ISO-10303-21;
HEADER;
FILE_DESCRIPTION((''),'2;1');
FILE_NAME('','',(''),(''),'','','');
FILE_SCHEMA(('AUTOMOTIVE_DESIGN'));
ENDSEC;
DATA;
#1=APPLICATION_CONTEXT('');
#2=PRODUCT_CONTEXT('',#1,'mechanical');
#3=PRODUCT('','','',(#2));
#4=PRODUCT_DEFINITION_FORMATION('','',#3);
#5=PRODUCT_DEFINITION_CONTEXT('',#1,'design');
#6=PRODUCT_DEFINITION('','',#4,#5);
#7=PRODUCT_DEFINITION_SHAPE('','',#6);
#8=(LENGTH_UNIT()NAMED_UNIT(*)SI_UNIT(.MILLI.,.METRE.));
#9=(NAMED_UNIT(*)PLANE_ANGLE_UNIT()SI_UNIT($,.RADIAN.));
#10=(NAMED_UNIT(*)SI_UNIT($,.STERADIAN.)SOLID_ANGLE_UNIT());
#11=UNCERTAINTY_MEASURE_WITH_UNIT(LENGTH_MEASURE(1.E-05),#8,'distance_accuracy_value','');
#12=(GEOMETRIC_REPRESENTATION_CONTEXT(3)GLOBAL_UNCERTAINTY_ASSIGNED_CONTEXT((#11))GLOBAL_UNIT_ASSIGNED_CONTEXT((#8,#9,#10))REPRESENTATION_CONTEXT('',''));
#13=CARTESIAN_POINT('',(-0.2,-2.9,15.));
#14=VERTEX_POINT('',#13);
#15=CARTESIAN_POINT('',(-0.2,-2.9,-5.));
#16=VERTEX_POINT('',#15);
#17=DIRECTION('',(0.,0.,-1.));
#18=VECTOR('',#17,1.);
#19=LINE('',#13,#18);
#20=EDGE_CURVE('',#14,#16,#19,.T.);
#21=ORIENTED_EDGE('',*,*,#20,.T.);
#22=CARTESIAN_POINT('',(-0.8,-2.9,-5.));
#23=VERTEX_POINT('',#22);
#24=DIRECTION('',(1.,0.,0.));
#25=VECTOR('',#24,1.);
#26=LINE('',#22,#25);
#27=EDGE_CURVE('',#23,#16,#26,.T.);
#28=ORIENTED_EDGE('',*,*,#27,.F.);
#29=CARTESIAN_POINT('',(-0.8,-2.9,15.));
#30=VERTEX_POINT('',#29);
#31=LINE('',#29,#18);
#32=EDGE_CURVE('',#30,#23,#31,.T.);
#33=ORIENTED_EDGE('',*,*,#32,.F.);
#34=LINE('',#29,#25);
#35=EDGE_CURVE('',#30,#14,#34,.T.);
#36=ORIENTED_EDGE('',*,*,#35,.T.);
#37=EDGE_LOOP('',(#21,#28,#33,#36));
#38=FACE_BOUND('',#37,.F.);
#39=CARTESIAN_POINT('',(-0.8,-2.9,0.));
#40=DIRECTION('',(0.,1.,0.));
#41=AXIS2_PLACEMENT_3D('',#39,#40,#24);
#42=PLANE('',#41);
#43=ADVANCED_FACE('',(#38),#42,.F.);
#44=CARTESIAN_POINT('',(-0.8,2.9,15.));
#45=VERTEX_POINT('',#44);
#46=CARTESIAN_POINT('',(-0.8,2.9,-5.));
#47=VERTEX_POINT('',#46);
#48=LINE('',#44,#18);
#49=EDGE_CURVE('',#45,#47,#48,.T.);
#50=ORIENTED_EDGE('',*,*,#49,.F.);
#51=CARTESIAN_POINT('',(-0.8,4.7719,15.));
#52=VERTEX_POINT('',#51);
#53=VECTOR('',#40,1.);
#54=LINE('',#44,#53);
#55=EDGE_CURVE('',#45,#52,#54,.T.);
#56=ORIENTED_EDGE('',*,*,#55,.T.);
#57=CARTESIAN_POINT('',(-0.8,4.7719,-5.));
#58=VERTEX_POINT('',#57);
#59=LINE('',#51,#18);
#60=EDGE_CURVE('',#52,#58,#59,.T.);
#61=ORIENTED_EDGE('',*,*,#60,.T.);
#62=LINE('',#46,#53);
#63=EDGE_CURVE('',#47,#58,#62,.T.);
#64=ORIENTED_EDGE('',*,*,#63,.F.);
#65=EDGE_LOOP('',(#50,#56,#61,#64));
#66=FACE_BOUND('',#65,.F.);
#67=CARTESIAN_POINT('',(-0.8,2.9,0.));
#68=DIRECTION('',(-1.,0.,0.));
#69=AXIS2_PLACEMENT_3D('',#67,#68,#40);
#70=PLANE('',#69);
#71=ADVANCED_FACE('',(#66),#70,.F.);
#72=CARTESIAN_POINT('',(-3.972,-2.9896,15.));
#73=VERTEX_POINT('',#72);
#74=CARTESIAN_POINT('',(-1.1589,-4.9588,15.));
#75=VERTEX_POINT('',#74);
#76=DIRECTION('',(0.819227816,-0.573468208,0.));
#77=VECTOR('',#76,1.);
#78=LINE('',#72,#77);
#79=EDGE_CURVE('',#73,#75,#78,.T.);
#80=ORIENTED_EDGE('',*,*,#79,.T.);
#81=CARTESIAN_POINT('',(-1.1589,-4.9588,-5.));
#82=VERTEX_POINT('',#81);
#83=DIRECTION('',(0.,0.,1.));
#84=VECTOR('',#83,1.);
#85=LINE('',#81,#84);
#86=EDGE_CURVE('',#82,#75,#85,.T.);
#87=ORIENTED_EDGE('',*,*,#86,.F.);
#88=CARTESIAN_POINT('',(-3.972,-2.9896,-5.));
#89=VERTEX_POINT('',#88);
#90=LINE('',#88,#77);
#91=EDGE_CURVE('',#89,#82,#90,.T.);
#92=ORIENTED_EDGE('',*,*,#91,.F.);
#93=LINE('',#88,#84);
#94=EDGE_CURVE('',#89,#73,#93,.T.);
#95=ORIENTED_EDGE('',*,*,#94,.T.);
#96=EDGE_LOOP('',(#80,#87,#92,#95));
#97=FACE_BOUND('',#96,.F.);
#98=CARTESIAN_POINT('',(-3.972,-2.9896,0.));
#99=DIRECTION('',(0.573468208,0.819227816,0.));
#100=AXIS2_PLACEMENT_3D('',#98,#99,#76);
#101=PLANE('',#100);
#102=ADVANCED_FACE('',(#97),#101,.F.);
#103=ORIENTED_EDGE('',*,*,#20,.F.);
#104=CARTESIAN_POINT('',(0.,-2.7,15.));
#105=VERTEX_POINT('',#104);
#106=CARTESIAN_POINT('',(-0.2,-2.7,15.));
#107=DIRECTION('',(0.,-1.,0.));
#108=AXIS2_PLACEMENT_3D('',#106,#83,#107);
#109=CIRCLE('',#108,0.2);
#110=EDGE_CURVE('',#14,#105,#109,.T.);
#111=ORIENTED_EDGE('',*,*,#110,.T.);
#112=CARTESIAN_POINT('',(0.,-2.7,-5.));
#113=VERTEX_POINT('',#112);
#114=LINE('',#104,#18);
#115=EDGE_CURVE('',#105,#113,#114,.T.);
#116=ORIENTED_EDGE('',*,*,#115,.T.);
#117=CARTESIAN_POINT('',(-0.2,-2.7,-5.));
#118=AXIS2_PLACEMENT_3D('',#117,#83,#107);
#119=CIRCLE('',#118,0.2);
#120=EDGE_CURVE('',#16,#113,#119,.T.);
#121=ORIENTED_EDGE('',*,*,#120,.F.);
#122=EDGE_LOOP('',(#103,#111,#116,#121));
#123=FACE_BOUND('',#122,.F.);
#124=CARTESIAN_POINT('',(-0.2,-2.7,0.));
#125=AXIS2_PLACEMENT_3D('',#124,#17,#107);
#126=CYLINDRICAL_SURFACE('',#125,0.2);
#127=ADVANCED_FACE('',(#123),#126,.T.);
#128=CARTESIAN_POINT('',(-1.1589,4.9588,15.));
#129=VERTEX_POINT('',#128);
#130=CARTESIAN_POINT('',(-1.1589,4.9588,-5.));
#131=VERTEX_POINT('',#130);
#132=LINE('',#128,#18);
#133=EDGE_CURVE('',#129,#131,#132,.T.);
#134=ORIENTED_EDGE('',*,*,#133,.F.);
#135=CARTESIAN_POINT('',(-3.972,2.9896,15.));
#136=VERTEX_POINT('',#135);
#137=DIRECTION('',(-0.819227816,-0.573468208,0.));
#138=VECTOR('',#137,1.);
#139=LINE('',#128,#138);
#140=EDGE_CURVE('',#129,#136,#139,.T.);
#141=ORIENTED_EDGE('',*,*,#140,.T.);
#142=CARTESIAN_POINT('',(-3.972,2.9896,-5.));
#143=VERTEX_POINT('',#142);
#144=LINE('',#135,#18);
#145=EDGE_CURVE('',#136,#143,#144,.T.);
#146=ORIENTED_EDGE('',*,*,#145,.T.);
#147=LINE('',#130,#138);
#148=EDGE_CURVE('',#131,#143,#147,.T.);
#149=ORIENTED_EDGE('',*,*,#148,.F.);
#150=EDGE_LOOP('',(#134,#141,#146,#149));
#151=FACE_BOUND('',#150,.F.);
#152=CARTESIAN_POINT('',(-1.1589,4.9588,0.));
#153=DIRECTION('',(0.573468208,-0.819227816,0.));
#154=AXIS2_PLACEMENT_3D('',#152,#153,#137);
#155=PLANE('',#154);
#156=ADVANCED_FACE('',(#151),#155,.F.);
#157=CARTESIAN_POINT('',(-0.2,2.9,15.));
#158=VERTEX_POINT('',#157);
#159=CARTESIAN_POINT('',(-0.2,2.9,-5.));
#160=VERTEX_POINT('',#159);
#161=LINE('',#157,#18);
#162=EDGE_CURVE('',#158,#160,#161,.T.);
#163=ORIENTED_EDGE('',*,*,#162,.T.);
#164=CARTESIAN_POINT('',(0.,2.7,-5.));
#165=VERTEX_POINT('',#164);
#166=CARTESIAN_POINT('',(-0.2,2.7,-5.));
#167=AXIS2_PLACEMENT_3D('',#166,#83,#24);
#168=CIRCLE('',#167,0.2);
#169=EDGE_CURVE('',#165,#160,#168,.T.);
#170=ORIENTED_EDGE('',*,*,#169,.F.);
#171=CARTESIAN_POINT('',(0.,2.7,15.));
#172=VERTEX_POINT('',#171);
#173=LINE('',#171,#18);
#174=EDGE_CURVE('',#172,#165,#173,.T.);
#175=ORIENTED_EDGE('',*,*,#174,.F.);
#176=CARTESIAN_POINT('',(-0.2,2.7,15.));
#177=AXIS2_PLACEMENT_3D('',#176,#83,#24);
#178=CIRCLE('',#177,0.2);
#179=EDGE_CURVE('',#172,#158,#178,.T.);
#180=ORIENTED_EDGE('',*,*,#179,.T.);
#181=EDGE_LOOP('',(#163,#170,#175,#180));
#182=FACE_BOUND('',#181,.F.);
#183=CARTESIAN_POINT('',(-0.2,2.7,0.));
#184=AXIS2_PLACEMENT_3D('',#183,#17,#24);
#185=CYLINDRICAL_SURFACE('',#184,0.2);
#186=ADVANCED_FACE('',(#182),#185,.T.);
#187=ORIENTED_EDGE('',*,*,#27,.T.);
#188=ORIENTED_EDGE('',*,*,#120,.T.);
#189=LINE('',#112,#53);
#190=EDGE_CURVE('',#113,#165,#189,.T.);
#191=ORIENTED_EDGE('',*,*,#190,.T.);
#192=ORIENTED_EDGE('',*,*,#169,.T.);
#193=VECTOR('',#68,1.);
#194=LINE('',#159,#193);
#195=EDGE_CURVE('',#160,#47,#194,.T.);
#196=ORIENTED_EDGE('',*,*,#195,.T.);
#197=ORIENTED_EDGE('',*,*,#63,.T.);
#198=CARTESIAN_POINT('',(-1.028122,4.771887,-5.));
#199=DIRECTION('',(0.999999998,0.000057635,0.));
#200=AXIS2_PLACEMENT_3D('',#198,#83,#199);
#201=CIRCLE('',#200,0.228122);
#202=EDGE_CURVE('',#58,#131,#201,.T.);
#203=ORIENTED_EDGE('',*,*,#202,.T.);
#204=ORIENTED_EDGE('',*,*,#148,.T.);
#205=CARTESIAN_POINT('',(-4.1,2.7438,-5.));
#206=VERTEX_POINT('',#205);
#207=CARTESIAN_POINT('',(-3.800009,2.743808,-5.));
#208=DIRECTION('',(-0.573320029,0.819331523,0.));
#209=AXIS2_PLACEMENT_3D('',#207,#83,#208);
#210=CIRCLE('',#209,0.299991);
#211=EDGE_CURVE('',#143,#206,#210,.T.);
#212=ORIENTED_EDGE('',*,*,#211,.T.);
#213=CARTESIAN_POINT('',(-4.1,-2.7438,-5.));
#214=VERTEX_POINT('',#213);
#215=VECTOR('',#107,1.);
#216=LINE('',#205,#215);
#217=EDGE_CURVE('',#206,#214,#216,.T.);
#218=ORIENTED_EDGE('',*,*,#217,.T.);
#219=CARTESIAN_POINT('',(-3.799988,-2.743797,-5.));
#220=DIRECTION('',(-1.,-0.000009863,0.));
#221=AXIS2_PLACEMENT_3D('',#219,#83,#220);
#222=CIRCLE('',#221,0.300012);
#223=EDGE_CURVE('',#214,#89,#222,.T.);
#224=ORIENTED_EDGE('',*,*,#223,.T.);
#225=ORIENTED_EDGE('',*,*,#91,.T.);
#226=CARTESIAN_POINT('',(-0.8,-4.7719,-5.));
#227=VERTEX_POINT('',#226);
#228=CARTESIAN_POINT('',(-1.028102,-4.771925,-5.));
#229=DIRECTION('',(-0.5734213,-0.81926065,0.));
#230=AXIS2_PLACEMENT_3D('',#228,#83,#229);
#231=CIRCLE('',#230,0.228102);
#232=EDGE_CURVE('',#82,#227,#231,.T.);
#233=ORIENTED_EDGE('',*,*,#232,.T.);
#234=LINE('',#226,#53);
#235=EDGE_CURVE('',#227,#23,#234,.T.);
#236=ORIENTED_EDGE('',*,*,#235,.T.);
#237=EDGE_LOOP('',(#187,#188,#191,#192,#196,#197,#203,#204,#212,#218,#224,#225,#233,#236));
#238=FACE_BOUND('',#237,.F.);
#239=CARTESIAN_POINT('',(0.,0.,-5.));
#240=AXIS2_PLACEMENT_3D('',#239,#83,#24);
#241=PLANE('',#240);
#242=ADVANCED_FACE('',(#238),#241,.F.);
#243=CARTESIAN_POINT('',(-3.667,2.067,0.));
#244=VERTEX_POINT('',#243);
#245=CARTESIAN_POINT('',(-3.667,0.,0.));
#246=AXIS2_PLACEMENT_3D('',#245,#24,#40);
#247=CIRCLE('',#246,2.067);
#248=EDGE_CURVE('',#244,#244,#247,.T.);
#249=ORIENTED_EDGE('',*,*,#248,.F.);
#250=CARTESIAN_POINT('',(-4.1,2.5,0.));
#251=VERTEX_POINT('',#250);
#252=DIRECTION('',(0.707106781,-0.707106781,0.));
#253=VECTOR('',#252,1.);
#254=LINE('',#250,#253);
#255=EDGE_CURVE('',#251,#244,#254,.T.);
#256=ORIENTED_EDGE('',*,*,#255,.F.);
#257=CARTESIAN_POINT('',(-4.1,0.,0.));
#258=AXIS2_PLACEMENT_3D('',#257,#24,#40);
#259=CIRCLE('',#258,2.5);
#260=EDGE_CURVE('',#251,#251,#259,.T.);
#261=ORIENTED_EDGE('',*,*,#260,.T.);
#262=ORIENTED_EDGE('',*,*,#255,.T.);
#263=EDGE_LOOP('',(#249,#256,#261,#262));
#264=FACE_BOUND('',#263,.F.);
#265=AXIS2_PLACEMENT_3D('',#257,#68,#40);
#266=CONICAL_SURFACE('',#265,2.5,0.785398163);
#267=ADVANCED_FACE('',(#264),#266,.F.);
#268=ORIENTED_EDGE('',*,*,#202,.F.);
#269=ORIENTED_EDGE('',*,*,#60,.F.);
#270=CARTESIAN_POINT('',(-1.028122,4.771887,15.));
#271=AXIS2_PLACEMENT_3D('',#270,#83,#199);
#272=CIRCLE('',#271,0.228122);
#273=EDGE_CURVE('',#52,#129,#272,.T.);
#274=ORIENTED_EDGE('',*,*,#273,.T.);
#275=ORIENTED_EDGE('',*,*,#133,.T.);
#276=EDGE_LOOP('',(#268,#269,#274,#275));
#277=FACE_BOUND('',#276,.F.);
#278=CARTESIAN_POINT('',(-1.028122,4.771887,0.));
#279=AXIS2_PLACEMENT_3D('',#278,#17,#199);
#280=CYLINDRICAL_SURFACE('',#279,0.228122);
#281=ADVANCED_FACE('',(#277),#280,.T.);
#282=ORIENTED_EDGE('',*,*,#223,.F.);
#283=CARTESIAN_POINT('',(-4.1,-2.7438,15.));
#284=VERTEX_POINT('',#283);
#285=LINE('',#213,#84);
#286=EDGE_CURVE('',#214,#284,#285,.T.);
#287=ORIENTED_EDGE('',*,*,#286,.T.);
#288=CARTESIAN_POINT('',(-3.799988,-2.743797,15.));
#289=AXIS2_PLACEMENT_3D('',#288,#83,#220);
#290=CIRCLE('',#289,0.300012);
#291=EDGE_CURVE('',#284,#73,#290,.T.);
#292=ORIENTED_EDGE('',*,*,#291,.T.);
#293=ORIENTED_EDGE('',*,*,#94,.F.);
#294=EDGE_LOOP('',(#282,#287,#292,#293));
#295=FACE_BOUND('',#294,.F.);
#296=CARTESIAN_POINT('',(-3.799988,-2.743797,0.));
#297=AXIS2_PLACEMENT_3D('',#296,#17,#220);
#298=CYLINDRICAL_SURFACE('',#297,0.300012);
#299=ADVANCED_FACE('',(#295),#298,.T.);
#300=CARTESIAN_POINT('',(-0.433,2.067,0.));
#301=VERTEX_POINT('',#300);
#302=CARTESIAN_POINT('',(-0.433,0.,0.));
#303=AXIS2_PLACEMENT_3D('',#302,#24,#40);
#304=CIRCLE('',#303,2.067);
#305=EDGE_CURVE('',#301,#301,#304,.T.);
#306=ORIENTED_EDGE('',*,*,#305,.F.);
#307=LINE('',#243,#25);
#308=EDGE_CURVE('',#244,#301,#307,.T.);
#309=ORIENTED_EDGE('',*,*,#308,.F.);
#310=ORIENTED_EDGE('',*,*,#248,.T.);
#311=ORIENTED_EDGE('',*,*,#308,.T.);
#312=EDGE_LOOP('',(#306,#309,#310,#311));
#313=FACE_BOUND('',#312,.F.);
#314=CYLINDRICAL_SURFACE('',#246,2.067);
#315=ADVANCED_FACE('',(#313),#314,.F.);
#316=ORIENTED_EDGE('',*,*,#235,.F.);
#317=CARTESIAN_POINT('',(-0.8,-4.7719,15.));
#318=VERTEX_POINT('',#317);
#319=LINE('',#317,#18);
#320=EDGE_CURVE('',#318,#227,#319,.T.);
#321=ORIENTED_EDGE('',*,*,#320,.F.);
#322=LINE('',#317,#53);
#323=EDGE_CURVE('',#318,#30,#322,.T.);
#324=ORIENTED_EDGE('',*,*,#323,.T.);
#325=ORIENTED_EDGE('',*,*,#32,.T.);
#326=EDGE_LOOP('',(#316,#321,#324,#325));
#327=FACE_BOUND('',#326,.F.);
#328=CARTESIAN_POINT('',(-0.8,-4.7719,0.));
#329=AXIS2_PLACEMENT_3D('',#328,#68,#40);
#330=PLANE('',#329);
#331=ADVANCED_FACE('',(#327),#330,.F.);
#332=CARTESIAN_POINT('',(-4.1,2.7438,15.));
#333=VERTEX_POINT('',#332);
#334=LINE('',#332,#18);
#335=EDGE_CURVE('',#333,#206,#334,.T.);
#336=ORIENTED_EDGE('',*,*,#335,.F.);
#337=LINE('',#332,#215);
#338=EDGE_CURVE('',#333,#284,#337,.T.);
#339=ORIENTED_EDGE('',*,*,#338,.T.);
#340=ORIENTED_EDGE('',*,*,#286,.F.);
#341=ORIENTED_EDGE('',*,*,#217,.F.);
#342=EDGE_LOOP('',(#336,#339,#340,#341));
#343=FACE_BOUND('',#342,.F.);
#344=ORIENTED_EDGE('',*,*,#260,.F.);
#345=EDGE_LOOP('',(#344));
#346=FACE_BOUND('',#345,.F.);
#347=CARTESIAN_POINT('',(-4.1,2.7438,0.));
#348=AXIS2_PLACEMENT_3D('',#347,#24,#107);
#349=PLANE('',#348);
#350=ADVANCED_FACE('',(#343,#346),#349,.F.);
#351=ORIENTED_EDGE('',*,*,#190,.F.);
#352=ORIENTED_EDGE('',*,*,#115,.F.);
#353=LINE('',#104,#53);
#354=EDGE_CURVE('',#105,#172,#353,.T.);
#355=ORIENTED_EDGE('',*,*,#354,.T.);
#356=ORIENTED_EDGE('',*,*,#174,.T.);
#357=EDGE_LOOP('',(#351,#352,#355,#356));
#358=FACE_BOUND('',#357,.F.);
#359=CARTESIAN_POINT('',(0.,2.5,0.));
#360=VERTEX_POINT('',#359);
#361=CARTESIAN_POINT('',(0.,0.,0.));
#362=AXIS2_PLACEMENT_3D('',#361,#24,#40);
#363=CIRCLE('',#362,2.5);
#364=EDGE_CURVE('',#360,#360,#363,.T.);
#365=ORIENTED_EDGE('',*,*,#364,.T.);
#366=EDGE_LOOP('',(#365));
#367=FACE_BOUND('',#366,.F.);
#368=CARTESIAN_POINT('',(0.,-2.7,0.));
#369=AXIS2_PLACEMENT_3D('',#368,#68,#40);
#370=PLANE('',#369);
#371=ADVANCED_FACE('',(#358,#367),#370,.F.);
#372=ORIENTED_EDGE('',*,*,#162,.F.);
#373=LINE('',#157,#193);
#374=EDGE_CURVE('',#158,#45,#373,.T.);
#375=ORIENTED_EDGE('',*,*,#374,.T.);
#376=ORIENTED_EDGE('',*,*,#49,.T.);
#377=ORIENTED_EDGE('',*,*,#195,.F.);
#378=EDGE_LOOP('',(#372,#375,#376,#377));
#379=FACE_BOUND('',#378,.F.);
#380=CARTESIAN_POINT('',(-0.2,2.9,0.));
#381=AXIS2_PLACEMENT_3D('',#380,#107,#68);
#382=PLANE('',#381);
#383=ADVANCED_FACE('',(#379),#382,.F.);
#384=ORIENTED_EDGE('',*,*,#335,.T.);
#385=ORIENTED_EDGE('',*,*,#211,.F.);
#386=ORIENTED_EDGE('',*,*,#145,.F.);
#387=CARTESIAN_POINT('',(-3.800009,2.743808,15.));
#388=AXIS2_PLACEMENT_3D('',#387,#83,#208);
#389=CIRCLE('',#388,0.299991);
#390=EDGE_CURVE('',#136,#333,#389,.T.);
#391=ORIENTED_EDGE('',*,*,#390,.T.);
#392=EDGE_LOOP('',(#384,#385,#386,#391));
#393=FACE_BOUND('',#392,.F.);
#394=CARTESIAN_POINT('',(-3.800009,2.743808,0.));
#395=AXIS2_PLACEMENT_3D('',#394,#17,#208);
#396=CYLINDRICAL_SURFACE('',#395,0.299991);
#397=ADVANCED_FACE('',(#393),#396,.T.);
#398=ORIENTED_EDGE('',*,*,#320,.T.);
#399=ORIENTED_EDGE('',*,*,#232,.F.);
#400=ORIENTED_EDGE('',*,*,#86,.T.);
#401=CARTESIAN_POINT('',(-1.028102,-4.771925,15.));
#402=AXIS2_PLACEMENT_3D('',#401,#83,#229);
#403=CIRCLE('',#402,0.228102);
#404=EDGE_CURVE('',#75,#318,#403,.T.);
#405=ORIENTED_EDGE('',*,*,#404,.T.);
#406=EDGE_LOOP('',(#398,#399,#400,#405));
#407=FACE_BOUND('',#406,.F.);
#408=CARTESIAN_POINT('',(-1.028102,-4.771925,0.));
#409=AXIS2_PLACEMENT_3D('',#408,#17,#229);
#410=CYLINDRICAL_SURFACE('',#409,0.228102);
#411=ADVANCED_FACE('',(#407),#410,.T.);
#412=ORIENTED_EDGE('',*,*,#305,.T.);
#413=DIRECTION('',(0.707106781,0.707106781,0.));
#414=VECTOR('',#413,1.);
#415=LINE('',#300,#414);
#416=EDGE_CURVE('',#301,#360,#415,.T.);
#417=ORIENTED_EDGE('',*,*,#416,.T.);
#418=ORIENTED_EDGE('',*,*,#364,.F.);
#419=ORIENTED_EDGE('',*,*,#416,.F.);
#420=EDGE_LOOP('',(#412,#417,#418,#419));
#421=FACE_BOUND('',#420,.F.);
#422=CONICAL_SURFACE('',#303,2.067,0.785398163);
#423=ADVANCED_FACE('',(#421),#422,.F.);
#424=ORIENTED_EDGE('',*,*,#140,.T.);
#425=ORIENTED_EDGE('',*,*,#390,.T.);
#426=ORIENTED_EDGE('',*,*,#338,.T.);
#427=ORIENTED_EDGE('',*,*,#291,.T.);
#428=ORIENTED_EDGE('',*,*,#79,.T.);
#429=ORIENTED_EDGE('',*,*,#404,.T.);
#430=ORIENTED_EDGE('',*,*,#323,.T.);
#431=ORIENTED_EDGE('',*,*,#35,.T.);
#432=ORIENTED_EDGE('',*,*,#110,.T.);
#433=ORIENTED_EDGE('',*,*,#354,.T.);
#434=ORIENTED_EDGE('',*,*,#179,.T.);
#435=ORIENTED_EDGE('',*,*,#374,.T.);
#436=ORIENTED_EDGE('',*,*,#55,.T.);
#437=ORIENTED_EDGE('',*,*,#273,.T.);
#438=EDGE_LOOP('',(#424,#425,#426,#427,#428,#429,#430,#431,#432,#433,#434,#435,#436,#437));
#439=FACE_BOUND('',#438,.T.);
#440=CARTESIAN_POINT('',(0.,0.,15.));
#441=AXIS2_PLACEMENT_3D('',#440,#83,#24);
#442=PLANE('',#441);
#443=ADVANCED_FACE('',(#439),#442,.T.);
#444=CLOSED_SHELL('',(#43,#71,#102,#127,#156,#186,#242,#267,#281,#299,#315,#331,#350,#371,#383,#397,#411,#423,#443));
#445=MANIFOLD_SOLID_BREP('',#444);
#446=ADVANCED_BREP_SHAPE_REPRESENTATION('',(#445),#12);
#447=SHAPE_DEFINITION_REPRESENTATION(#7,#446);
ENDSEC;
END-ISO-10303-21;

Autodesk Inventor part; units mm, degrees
sketch "Sketch_2" plane through (0, 0, 0) normal (0, 0, 1) x (1, 0, 0)
  arc A0 (-4.1, -2.7438) -> (-3.972, -2.9896) centre (-3.8, -2.7438) ccw
  line L0 (-3.972, -2.9896) -> (-1.1589, -4.9588)
  arc A1 (-1.1589, -4.9588) -> (-0.8, -4.7719) centre (-1.0281, -4.7719) ccw
  line L1 (-0.8, -4.7719) -> (-0.8, -2.9)
  line L2 (-0.8, -2.9) -> (-0.2, -2.9)
  arc A2 (-0.2, -2.9) -> (0, -2.7) centre (-0.2, -2.7) ccw
  line L3 (0, -2.7) -> (0, 2.7)
  arc A3 (0, 2.7) -> (-0.2, 2.9) centre (-0.2, 2.7) ccw
  line L4 (-0.2, 2.9) -> (-0.8, 2.9)
  line L5 (-0.8, 2.9) -> (-0.8, 4.7719)
  arc A4 (-0.8, 4.7719) -> (-1.1589, 4.9588) centre (-1.0281, 4.7719) ccw
  line L6 (-1.1589, 4.9588) -> (-3.972, 2.9896)
  arc A5 (-3.972, 2.9896) -> (-4.1, 2.7438) centre (-3.8, 2.7438) ccw
  line L7 (-4.1, 2.7438) -> (-4.1, -2.7438)
extrude "Extrusion1" add sketch "Sketch_2" along normal blind 15 and the other way blind 5
sketch "Sketch_5" plane through (0, 0, 0) normal (0, 0, 1) x (1, 0, 0)
  line L0 (0, 0) -> (-4.1, 0)
  line L1 (-4.1, 0) -> (-4.1, 2.5)
  line L2 (-4.1, 2.5) -> (-3.667, 2.067)
  line L3 (-3.667, 2.067) -> (-0.433, 2.067)
  line L4 (-0.433, 2.067) -> (0, 2.5)
  line L5 (0, 2.5) -> (0, 0)
  line L6 (0, 0) -> (-4.1, 0)
revolve "Revolution1" cut sketch "Sketch_5" angle 360 about axis through (0, 0, 0) along (1, 0, 0)
thread "Thread1" size "M5x0.8" class "6H" standard "ISO Metric profile" full length
ref_plane "nut_XY" through (0, 0, 0) normal (1, 0, 0) x (0, 0, -1)
ref_plane "nut_YZ" through (0, 0, 0) normal (0, 0, -1) x (0, 1, 0)
ref_plane "nut_ZX" through (0, 0, 0) normal (0, 1, 0) x (1, 0, 0)
ref_plane "to_bolt_XY" through (-4.1, 0, 0) normal (1, 0, 0) x (0, 0, -1)
ref_plane "to_bolt_YZ" through (-4.1, 0, 0) normal (0, 0, -1) x (0, 1, 0)
ref_plane "to_bolt_ZX" through (-4.1, 0, 0) normal (0, 1, 0) x (1, 0, 0)
ref_plane "to_frames_XY" through (-0.8, 0, 0) normal (1, 0, 0) x (0, 0, -1)
ref_plane "to_frames_YZ" through (-0.8, 0, 0) normal (0, 0, -1) x (0, 1, 0)
ref_plane "to_frames_ZX" through (-0.8, 0, 0) normal (0, 1, 0) x (1, 0, 0)
ref_plane "to_lane_XY" through (0, 0, 0) normal (0, 0, 1) x (1, 0, 0)
ref_plane "to_lane_YZ" through (0, 0, 0) normal (1, 0, 0) x (0, 1, 0)
ref_plane "to_lane_ZX" through (0, 0, 0) normal (0, 1, 0) x (0, 0, 1)
properties part number "HNTTSS5-5"
